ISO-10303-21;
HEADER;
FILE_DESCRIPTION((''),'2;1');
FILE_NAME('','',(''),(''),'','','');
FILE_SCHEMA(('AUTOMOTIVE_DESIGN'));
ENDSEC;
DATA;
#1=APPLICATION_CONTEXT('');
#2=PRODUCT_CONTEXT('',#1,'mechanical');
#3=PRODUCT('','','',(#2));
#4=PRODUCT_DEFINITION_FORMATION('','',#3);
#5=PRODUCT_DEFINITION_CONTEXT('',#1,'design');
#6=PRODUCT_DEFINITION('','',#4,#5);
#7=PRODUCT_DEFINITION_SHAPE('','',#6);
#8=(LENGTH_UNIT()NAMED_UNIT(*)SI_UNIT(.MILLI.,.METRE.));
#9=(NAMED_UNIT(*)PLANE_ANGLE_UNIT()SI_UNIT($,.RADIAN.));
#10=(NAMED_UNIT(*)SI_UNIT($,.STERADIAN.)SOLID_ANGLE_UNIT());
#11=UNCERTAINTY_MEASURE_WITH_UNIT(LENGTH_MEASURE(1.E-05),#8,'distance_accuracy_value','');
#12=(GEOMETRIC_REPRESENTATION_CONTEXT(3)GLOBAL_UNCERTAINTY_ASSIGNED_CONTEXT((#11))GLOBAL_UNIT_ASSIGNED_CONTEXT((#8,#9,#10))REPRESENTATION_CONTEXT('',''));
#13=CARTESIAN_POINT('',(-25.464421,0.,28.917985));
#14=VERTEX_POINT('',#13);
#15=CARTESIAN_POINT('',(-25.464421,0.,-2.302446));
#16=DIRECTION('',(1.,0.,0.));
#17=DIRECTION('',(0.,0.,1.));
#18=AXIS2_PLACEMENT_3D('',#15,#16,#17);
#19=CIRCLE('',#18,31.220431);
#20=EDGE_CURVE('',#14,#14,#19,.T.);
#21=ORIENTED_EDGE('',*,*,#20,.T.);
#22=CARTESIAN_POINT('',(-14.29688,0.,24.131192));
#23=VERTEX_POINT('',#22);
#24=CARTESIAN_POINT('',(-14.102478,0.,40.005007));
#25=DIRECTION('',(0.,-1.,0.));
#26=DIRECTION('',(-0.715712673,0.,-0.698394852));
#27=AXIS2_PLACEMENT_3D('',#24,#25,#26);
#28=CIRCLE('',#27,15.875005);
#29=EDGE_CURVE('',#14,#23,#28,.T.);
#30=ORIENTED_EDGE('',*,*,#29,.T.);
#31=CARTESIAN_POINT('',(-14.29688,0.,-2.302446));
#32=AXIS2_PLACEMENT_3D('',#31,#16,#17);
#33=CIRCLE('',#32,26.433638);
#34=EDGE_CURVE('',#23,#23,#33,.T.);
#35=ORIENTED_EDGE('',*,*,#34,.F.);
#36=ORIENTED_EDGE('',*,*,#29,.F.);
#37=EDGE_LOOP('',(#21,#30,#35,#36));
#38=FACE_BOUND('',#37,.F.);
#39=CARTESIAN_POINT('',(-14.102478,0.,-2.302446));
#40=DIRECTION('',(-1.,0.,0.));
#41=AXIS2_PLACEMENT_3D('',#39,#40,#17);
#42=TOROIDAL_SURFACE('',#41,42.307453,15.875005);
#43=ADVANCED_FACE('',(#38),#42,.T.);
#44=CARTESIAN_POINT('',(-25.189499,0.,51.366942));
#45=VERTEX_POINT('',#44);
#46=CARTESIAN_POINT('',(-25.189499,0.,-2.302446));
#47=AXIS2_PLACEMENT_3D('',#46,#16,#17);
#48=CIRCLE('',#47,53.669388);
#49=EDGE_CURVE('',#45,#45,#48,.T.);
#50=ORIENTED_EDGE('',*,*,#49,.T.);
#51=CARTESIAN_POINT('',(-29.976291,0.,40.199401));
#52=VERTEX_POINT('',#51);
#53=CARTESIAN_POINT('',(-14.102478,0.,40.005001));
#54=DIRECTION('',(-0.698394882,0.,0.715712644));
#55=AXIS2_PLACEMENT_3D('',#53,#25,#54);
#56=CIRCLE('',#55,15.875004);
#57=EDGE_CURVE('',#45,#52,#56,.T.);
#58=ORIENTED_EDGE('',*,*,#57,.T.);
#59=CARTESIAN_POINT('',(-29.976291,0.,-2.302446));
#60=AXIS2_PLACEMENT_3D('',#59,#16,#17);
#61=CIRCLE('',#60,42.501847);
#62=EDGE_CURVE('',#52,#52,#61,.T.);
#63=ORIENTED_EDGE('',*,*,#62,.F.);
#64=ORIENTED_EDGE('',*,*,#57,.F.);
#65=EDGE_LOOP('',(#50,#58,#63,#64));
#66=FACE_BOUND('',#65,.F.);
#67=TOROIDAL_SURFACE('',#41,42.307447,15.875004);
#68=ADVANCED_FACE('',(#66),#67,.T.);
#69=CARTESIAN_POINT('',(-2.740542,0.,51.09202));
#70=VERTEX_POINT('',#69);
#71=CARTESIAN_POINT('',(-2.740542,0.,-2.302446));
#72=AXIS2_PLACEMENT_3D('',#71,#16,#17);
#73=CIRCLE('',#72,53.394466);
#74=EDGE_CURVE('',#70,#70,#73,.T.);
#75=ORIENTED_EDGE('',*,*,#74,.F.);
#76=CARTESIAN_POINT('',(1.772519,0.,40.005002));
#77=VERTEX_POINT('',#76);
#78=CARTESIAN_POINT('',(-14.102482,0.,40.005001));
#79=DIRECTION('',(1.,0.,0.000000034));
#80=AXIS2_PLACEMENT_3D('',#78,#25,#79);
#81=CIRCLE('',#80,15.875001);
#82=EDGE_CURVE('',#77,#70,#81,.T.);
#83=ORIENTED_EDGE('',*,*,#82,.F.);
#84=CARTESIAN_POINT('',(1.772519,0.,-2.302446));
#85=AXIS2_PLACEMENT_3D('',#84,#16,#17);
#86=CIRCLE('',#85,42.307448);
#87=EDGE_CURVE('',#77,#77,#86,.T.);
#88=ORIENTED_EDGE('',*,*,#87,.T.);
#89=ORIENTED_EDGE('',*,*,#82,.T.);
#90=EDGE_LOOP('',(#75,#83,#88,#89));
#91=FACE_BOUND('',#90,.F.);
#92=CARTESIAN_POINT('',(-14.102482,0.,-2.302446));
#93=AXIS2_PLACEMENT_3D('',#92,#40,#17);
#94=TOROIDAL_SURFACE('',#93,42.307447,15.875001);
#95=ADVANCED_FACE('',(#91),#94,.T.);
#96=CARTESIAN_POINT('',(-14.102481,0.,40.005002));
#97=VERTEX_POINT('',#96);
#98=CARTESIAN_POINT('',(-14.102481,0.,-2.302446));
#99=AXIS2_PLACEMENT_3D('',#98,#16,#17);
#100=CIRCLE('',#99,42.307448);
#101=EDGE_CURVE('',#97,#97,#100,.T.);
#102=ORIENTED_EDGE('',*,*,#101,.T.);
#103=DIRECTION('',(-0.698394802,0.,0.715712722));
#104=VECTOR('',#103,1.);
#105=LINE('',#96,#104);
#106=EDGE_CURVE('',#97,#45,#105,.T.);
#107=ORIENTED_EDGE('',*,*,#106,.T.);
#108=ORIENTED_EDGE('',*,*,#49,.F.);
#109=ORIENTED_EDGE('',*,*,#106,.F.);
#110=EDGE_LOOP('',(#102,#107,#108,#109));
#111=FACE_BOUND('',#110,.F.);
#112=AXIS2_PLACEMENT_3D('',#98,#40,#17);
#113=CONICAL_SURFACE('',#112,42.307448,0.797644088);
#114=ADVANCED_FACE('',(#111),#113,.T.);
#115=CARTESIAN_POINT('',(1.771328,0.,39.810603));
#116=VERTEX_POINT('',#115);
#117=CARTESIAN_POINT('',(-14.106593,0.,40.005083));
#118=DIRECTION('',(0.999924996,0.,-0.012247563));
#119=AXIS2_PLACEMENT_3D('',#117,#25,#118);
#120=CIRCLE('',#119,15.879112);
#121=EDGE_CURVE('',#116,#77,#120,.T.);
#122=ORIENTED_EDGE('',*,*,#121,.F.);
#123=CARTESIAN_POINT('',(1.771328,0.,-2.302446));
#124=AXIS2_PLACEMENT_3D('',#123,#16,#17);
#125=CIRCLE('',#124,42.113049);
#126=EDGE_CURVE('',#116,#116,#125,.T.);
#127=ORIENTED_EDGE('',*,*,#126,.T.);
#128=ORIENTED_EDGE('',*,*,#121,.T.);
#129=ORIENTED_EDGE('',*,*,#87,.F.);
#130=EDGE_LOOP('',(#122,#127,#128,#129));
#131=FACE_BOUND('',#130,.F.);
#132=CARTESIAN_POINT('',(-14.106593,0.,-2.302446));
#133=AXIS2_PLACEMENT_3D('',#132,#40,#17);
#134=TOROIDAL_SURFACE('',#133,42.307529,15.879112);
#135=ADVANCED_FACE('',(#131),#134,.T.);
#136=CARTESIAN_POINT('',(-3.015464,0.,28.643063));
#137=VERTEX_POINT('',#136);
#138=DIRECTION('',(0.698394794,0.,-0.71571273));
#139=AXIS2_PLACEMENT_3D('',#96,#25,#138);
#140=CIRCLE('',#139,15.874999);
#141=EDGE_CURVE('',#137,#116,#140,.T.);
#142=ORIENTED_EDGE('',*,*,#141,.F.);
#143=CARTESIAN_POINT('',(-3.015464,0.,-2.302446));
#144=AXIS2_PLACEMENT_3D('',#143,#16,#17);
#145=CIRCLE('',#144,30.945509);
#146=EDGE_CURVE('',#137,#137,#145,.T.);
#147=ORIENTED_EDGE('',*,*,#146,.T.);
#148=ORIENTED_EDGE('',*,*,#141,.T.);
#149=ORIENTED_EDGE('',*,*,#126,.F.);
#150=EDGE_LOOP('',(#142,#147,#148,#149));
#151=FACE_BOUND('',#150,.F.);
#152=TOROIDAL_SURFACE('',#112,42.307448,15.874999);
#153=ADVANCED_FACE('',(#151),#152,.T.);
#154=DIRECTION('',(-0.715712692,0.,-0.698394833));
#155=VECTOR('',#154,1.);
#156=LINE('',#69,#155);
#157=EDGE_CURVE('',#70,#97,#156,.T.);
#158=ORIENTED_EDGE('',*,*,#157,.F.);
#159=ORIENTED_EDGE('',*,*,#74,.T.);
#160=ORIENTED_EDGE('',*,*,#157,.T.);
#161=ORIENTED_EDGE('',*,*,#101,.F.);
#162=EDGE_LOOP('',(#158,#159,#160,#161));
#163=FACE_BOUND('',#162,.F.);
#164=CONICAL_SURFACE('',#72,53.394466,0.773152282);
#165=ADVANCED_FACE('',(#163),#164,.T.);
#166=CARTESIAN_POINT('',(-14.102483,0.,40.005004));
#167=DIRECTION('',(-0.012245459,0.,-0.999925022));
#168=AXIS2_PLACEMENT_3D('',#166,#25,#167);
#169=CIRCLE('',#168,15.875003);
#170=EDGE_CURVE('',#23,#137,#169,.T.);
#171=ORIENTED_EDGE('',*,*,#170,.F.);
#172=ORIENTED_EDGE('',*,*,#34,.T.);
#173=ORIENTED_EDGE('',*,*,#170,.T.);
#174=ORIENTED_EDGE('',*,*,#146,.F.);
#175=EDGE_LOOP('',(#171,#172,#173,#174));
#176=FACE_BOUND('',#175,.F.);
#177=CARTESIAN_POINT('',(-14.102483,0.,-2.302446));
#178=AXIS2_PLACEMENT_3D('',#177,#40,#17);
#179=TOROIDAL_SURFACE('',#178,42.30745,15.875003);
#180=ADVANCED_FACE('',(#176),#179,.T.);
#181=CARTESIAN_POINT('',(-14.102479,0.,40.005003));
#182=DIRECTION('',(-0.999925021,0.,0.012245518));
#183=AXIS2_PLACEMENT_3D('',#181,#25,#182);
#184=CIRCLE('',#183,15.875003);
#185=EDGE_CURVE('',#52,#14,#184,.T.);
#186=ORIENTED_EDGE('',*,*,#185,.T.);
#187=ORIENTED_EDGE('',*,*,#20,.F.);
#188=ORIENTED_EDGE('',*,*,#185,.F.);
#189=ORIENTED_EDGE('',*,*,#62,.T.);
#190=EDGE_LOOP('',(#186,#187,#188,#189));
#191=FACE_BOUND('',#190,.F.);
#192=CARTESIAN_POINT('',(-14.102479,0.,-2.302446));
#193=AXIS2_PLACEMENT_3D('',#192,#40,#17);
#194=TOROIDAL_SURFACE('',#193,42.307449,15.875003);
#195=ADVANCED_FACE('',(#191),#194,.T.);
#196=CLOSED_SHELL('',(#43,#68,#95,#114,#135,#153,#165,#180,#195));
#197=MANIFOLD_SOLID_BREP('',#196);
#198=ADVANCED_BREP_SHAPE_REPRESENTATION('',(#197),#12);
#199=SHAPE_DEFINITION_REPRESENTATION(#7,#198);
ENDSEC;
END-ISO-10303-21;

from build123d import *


with BuildPart() as f1:
    # F0 (on Front) → F1 (revolve)
    with BuildSketch(Plane.XZ):
        with BuildLine():
            Line((-3.015464, 28.643063), (-14.102481, 40.005002))
            Line((-14.102481, 40.005002), (-14.29688, 24.131192))
            ThreePointArc((-14.29688, 24.131192), (-8.207439, 25.265121), (-3.015464, 28.643063))
        make_face()
        with BuildLine():
            Line((-14.29688, 24.131192), (-14.102481, 40.005002))
            Line((-14.102481, 40.005002), (-25.464421, 28.917985))
            ThreePointArc((-25.464421, 28.917985), (-20.356727, 25.413908), (-14.29688, 24.131192))
        make_face()
        with BuildLine():
            Line((-29.976291, 40.199401), (-14.102481, 40.005002))
            Line((-14.102481, 40.005002), (-25.189499, 51.366942))
            ThreePointArc((-25.189499, 51.366942), (-28.693576, 46.259247), (-29.976291, 40.199401))
        make_face()
        with BuildLine():
            Line((-25.464421, 28.917985), (-14.102481, 40.005002))
            Line((-14.102481, 40.005002), (-29.976291, 40.199401))
            ThreePointArc((-29.976291, 40.199401), (-28.842362, 34.109959), (-25.464421, 28.917985))
        make_face()
        with BuildLine():
            ThreePointArc((-3.015464, 28.643063), (0.488613, 33.750757), (1.771328, 39.810603))
            Line((1.771328, 39.810603), (-14.102481, 40.005002))
            Line((-14.102481, 40.005002), (-3.015464, 28.643063))
        make_face()
        with BuildLine():
            ThreePointArc((1.771328, 39.810603), (1.772221, 39.907801), (1.772519, 40.005002))
            ThreePointArc((1.772519, 40.005002), (0.601029, 45.990185), (-2.740542, 51.09202))
            Line((-2.740542, 51.09202), (-14.102481, 40.005002))
            Line((-14.102481, 40.005002), (1.771328, 39.810603))
        make_face()
    revolve(axis=Axis((-0.097199, 0, -2.302446), (1, 0, 0)))


solid = f1.part
